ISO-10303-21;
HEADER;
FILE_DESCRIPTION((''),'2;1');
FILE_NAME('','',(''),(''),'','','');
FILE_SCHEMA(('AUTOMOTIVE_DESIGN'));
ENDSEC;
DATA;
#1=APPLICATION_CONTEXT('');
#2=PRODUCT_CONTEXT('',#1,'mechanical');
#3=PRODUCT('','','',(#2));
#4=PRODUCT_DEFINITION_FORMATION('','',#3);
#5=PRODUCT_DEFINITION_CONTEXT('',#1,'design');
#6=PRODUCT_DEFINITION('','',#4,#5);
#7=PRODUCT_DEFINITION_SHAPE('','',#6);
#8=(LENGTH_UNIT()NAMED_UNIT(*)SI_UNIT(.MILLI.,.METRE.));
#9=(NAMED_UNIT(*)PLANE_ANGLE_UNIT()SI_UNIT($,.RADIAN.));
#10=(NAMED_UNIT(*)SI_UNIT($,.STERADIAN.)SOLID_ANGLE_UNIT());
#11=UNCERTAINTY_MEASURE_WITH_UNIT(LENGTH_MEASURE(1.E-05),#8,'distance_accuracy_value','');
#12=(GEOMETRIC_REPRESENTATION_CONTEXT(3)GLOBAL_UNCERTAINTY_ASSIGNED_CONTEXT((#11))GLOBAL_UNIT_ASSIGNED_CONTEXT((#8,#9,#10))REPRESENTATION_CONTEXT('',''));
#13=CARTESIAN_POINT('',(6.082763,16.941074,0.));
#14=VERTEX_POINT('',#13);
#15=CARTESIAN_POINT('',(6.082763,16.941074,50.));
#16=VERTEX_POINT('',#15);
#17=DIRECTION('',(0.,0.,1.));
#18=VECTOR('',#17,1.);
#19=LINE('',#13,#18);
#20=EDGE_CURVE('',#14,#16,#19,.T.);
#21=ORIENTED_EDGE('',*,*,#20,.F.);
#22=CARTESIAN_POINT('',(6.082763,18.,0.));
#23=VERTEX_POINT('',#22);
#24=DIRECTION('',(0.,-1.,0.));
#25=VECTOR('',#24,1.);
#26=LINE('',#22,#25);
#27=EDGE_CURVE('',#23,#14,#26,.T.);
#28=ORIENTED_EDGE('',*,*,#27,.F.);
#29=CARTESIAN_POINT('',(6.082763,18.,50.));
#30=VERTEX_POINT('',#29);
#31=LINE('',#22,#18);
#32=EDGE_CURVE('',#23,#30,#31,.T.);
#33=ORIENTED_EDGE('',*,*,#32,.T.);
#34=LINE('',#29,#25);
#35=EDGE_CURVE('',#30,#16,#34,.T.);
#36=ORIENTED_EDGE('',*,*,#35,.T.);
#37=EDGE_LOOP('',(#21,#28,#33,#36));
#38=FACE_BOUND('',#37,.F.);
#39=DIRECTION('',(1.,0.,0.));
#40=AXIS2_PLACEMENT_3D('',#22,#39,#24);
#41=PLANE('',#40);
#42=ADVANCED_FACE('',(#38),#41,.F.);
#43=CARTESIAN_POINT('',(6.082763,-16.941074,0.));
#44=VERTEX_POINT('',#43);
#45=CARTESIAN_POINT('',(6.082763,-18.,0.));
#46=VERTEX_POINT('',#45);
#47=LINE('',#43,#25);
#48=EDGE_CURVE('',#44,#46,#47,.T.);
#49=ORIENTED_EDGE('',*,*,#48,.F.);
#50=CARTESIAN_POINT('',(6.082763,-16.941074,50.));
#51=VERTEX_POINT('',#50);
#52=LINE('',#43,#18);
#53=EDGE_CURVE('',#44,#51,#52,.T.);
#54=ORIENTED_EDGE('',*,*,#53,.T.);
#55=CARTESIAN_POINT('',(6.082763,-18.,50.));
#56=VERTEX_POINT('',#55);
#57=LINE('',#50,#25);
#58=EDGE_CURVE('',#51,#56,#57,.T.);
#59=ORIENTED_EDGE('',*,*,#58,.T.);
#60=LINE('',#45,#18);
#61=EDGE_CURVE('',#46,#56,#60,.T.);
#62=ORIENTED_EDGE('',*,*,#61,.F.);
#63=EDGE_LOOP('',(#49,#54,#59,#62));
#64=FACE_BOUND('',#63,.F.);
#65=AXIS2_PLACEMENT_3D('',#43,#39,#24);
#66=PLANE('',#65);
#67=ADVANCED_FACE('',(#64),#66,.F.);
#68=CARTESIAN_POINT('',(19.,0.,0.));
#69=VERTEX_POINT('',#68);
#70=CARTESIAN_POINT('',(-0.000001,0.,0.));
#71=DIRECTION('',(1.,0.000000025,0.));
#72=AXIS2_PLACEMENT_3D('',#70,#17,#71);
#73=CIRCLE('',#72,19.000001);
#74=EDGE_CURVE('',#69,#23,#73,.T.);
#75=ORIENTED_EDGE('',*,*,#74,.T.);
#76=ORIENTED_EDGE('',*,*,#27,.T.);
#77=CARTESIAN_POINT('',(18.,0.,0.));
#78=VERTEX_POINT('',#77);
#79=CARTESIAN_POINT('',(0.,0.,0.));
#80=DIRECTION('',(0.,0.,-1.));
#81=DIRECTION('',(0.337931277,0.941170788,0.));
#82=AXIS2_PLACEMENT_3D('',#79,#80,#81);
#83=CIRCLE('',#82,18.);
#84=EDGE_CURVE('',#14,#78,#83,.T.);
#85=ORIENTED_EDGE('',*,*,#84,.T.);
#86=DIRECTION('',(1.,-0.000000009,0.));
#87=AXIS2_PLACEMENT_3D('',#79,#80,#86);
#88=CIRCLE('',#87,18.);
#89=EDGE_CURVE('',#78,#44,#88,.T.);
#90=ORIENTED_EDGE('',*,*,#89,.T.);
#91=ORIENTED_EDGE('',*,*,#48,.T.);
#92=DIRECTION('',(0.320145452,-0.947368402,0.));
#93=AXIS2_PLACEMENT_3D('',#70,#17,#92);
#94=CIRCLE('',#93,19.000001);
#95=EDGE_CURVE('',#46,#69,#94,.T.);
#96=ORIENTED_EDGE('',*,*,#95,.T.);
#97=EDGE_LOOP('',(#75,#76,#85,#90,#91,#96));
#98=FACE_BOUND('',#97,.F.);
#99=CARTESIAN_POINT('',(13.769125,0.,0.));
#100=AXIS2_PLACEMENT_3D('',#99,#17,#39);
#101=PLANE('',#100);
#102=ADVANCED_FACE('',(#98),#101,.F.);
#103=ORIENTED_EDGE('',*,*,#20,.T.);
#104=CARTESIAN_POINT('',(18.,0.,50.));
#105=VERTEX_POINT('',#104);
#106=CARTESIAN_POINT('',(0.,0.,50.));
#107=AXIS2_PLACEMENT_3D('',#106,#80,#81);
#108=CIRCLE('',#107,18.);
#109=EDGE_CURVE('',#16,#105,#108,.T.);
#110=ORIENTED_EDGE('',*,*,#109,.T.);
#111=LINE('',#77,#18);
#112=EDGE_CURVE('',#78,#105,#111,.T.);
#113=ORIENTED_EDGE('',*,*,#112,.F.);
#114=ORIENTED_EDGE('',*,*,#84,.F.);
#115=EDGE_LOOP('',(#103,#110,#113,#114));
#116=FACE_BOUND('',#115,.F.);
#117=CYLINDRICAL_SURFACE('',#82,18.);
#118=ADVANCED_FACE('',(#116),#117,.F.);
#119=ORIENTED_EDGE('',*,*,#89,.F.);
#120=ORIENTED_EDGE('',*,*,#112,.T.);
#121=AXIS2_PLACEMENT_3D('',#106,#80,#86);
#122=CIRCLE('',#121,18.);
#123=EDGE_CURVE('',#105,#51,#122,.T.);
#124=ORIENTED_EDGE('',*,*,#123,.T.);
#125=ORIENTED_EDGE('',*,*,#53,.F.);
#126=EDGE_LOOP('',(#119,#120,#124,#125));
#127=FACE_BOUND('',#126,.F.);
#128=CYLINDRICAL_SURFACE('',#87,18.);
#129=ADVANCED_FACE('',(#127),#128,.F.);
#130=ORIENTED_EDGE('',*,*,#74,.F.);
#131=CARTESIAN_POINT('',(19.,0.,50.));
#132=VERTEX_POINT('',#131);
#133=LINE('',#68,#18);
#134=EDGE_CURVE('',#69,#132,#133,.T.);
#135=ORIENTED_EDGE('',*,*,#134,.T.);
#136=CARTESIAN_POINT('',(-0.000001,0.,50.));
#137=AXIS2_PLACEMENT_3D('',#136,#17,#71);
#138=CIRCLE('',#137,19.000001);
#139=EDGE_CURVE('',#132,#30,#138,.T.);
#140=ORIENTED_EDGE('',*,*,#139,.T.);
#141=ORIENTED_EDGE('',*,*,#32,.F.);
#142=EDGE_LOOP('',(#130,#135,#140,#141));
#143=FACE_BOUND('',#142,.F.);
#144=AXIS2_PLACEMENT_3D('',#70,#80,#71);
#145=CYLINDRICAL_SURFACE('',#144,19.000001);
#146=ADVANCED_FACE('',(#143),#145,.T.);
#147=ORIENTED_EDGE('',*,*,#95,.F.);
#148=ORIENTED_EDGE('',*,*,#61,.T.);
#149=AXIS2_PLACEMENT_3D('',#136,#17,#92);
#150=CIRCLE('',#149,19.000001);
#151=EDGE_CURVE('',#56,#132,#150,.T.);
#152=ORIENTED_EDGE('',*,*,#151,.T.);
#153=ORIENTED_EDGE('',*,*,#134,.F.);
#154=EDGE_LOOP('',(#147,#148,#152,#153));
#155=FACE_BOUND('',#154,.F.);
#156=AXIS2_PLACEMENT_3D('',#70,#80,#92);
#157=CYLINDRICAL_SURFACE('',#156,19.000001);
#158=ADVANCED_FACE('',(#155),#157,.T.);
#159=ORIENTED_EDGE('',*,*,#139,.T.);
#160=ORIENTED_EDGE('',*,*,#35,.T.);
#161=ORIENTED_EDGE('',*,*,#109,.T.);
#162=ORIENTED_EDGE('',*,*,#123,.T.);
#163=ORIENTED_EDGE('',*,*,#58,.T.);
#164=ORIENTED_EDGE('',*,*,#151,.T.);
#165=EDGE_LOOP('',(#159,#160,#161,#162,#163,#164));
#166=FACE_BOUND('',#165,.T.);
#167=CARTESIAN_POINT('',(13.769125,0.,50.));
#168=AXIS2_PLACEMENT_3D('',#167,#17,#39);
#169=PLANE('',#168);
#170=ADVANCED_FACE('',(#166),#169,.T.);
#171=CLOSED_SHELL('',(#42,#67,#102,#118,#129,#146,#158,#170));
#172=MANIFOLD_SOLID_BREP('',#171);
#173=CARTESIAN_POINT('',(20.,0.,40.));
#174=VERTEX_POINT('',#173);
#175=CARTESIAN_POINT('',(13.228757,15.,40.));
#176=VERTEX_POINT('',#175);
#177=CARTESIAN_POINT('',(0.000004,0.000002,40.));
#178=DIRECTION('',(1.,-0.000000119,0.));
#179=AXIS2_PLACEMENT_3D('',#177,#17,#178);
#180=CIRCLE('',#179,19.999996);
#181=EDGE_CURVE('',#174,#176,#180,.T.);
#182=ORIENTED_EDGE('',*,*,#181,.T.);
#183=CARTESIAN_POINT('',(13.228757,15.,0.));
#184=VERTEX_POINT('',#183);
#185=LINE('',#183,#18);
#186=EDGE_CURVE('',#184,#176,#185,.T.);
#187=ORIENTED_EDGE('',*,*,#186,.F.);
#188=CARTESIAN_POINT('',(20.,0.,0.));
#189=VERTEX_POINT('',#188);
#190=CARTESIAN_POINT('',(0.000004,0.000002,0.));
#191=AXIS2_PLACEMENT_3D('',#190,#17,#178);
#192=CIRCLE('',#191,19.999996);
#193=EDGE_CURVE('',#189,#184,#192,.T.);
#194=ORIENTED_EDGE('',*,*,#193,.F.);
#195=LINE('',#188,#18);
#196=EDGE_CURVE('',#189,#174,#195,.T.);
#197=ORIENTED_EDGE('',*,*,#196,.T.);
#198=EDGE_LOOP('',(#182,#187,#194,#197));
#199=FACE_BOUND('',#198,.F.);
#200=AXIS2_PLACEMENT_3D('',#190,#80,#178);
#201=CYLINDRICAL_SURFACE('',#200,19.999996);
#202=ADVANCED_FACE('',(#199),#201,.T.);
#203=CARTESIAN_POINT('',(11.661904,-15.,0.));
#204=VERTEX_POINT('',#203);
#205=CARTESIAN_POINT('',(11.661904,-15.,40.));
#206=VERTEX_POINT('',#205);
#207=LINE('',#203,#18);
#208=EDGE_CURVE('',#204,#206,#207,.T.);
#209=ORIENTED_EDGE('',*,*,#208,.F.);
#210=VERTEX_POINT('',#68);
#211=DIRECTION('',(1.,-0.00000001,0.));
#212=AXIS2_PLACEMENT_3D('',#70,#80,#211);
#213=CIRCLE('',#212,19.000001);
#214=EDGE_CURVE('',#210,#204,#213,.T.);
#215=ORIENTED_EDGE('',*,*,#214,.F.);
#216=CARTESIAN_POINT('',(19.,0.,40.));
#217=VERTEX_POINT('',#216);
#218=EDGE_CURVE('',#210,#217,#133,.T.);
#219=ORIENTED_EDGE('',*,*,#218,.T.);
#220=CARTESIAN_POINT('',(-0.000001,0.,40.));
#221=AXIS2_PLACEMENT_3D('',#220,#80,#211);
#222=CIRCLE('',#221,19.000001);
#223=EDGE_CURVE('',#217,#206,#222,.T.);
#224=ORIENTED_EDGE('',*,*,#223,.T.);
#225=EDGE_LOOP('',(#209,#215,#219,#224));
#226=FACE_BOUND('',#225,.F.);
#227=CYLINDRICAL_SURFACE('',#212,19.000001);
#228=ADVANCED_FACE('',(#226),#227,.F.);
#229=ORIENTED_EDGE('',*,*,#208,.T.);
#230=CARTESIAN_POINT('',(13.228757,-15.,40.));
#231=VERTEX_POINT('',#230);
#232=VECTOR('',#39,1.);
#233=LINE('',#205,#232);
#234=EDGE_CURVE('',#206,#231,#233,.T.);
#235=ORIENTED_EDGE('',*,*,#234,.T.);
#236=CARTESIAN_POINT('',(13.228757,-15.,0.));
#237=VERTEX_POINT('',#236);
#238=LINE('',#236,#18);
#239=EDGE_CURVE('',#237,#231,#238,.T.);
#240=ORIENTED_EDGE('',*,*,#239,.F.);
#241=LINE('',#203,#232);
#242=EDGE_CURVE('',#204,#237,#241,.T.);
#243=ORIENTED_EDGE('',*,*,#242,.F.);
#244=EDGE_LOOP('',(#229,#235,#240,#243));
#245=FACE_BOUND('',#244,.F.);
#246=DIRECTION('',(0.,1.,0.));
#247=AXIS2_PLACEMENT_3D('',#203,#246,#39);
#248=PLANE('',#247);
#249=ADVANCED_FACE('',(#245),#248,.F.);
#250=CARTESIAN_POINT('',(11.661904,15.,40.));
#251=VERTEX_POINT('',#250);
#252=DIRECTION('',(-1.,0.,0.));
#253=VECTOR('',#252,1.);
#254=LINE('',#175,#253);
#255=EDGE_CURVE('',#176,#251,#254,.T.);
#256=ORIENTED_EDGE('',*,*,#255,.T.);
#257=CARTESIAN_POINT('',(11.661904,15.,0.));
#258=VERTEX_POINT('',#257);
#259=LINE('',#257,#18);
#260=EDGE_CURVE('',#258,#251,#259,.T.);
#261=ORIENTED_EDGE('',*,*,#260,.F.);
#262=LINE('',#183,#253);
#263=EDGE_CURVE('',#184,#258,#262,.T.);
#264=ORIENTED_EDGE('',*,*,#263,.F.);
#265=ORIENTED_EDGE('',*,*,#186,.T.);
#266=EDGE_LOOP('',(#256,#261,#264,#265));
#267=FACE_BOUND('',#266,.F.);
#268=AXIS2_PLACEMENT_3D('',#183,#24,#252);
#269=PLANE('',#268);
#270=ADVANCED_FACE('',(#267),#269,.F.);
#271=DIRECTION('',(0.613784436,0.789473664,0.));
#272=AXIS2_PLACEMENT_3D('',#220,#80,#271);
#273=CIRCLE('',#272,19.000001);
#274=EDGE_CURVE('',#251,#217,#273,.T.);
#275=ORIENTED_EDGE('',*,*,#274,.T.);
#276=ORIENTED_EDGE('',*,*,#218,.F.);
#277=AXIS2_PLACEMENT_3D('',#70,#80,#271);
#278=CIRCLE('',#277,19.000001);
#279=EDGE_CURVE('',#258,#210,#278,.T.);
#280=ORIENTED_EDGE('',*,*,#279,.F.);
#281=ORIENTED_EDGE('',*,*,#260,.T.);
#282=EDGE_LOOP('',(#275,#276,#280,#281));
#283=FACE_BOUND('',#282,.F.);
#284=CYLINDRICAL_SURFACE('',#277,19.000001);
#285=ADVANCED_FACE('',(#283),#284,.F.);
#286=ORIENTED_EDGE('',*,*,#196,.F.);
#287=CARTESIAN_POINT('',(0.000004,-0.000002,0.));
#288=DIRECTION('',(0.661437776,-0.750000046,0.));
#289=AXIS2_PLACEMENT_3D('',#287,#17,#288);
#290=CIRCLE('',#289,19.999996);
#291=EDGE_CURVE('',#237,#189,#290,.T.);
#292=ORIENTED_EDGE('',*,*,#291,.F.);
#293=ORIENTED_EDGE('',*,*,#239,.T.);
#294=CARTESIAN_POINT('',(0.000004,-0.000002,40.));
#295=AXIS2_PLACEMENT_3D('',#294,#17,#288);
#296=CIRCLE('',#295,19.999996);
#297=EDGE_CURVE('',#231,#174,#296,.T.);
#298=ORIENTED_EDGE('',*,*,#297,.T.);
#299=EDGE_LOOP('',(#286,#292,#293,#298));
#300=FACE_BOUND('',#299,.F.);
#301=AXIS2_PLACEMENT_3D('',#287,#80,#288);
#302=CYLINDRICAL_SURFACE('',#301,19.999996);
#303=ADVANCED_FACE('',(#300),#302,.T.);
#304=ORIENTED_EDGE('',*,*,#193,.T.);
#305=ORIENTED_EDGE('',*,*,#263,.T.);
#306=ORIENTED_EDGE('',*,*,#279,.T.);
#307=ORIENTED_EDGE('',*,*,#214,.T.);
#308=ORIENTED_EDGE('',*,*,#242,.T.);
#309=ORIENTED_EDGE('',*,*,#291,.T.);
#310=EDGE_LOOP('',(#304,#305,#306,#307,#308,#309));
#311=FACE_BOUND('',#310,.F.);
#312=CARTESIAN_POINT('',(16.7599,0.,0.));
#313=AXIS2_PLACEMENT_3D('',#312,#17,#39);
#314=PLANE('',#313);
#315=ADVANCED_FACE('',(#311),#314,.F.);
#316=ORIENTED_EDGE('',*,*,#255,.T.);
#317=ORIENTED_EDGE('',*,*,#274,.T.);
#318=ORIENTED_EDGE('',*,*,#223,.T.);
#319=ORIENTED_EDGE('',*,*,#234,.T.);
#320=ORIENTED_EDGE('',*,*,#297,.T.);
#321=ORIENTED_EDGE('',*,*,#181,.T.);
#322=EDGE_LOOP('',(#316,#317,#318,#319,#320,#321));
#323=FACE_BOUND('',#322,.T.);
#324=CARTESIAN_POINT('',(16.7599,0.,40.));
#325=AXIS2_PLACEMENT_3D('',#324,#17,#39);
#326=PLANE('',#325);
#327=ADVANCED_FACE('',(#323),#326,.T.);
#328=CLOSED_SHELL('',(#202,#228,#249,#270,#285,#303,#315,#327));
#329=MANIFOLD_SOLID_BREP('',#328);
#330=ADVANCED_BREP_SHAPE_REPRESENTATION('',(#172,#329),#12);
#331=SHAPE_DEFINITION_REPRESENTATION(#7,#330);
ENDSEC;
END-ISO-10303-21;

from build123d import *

# Parameters (mm, degrees)
F2_DEPTH = 40
F3_DEPTH = 50


with BuildPart() as f2:
    # F1 (on Top) → F2 (new body)
    with BuildSketch(Plane.XY):
        with BuildLine():
            ThreePointArc((11.661904, 15), (17.067164, 8.349366), (19, 0))
            ThreePointArc((19, 0), (17.067164, -8.349366), (11.661904, -15))
            Line((11.661904, -15), (13.228757, -15))
            ThreePointArc((13.228757, -15), (18.228757, -8.228757), (20, 0))
            ThreePointArc((20, 0), (18.228757, 8.228757), (13.228757, 15))
            Line((13.228757, 15), (11.661904, 15))
        make_face()
    extrude(amount=F2_DEPTH)


with BuildPart() as f3:
    # F0 (on Top) → F3 (new body)
    with BuildSketch(Plane.XY):
        with BuildLine():
            ThreePointArc((19, 0), (15.436523, 11.077624), (6.082763, 18))
            Line((6.082763, 18), (6.082763, 16.941074))
            ThreePointArc((6.082763, 16.941074), (14.722257, 10.356406), (18, 0))
            ThreePointArc((18, 0), (14.722257, -10.356406), (6.082763, -16.941074))
            Line((6.082763, -16.941074), (6.082763, -18))
            ThreePointArc((6.082763, -18), (15.436523, -11.077624), (19, 0))
        make_face()
    extrude(amount=F3_DEPTH)


solid = Compound([f2.part, f3.part])
